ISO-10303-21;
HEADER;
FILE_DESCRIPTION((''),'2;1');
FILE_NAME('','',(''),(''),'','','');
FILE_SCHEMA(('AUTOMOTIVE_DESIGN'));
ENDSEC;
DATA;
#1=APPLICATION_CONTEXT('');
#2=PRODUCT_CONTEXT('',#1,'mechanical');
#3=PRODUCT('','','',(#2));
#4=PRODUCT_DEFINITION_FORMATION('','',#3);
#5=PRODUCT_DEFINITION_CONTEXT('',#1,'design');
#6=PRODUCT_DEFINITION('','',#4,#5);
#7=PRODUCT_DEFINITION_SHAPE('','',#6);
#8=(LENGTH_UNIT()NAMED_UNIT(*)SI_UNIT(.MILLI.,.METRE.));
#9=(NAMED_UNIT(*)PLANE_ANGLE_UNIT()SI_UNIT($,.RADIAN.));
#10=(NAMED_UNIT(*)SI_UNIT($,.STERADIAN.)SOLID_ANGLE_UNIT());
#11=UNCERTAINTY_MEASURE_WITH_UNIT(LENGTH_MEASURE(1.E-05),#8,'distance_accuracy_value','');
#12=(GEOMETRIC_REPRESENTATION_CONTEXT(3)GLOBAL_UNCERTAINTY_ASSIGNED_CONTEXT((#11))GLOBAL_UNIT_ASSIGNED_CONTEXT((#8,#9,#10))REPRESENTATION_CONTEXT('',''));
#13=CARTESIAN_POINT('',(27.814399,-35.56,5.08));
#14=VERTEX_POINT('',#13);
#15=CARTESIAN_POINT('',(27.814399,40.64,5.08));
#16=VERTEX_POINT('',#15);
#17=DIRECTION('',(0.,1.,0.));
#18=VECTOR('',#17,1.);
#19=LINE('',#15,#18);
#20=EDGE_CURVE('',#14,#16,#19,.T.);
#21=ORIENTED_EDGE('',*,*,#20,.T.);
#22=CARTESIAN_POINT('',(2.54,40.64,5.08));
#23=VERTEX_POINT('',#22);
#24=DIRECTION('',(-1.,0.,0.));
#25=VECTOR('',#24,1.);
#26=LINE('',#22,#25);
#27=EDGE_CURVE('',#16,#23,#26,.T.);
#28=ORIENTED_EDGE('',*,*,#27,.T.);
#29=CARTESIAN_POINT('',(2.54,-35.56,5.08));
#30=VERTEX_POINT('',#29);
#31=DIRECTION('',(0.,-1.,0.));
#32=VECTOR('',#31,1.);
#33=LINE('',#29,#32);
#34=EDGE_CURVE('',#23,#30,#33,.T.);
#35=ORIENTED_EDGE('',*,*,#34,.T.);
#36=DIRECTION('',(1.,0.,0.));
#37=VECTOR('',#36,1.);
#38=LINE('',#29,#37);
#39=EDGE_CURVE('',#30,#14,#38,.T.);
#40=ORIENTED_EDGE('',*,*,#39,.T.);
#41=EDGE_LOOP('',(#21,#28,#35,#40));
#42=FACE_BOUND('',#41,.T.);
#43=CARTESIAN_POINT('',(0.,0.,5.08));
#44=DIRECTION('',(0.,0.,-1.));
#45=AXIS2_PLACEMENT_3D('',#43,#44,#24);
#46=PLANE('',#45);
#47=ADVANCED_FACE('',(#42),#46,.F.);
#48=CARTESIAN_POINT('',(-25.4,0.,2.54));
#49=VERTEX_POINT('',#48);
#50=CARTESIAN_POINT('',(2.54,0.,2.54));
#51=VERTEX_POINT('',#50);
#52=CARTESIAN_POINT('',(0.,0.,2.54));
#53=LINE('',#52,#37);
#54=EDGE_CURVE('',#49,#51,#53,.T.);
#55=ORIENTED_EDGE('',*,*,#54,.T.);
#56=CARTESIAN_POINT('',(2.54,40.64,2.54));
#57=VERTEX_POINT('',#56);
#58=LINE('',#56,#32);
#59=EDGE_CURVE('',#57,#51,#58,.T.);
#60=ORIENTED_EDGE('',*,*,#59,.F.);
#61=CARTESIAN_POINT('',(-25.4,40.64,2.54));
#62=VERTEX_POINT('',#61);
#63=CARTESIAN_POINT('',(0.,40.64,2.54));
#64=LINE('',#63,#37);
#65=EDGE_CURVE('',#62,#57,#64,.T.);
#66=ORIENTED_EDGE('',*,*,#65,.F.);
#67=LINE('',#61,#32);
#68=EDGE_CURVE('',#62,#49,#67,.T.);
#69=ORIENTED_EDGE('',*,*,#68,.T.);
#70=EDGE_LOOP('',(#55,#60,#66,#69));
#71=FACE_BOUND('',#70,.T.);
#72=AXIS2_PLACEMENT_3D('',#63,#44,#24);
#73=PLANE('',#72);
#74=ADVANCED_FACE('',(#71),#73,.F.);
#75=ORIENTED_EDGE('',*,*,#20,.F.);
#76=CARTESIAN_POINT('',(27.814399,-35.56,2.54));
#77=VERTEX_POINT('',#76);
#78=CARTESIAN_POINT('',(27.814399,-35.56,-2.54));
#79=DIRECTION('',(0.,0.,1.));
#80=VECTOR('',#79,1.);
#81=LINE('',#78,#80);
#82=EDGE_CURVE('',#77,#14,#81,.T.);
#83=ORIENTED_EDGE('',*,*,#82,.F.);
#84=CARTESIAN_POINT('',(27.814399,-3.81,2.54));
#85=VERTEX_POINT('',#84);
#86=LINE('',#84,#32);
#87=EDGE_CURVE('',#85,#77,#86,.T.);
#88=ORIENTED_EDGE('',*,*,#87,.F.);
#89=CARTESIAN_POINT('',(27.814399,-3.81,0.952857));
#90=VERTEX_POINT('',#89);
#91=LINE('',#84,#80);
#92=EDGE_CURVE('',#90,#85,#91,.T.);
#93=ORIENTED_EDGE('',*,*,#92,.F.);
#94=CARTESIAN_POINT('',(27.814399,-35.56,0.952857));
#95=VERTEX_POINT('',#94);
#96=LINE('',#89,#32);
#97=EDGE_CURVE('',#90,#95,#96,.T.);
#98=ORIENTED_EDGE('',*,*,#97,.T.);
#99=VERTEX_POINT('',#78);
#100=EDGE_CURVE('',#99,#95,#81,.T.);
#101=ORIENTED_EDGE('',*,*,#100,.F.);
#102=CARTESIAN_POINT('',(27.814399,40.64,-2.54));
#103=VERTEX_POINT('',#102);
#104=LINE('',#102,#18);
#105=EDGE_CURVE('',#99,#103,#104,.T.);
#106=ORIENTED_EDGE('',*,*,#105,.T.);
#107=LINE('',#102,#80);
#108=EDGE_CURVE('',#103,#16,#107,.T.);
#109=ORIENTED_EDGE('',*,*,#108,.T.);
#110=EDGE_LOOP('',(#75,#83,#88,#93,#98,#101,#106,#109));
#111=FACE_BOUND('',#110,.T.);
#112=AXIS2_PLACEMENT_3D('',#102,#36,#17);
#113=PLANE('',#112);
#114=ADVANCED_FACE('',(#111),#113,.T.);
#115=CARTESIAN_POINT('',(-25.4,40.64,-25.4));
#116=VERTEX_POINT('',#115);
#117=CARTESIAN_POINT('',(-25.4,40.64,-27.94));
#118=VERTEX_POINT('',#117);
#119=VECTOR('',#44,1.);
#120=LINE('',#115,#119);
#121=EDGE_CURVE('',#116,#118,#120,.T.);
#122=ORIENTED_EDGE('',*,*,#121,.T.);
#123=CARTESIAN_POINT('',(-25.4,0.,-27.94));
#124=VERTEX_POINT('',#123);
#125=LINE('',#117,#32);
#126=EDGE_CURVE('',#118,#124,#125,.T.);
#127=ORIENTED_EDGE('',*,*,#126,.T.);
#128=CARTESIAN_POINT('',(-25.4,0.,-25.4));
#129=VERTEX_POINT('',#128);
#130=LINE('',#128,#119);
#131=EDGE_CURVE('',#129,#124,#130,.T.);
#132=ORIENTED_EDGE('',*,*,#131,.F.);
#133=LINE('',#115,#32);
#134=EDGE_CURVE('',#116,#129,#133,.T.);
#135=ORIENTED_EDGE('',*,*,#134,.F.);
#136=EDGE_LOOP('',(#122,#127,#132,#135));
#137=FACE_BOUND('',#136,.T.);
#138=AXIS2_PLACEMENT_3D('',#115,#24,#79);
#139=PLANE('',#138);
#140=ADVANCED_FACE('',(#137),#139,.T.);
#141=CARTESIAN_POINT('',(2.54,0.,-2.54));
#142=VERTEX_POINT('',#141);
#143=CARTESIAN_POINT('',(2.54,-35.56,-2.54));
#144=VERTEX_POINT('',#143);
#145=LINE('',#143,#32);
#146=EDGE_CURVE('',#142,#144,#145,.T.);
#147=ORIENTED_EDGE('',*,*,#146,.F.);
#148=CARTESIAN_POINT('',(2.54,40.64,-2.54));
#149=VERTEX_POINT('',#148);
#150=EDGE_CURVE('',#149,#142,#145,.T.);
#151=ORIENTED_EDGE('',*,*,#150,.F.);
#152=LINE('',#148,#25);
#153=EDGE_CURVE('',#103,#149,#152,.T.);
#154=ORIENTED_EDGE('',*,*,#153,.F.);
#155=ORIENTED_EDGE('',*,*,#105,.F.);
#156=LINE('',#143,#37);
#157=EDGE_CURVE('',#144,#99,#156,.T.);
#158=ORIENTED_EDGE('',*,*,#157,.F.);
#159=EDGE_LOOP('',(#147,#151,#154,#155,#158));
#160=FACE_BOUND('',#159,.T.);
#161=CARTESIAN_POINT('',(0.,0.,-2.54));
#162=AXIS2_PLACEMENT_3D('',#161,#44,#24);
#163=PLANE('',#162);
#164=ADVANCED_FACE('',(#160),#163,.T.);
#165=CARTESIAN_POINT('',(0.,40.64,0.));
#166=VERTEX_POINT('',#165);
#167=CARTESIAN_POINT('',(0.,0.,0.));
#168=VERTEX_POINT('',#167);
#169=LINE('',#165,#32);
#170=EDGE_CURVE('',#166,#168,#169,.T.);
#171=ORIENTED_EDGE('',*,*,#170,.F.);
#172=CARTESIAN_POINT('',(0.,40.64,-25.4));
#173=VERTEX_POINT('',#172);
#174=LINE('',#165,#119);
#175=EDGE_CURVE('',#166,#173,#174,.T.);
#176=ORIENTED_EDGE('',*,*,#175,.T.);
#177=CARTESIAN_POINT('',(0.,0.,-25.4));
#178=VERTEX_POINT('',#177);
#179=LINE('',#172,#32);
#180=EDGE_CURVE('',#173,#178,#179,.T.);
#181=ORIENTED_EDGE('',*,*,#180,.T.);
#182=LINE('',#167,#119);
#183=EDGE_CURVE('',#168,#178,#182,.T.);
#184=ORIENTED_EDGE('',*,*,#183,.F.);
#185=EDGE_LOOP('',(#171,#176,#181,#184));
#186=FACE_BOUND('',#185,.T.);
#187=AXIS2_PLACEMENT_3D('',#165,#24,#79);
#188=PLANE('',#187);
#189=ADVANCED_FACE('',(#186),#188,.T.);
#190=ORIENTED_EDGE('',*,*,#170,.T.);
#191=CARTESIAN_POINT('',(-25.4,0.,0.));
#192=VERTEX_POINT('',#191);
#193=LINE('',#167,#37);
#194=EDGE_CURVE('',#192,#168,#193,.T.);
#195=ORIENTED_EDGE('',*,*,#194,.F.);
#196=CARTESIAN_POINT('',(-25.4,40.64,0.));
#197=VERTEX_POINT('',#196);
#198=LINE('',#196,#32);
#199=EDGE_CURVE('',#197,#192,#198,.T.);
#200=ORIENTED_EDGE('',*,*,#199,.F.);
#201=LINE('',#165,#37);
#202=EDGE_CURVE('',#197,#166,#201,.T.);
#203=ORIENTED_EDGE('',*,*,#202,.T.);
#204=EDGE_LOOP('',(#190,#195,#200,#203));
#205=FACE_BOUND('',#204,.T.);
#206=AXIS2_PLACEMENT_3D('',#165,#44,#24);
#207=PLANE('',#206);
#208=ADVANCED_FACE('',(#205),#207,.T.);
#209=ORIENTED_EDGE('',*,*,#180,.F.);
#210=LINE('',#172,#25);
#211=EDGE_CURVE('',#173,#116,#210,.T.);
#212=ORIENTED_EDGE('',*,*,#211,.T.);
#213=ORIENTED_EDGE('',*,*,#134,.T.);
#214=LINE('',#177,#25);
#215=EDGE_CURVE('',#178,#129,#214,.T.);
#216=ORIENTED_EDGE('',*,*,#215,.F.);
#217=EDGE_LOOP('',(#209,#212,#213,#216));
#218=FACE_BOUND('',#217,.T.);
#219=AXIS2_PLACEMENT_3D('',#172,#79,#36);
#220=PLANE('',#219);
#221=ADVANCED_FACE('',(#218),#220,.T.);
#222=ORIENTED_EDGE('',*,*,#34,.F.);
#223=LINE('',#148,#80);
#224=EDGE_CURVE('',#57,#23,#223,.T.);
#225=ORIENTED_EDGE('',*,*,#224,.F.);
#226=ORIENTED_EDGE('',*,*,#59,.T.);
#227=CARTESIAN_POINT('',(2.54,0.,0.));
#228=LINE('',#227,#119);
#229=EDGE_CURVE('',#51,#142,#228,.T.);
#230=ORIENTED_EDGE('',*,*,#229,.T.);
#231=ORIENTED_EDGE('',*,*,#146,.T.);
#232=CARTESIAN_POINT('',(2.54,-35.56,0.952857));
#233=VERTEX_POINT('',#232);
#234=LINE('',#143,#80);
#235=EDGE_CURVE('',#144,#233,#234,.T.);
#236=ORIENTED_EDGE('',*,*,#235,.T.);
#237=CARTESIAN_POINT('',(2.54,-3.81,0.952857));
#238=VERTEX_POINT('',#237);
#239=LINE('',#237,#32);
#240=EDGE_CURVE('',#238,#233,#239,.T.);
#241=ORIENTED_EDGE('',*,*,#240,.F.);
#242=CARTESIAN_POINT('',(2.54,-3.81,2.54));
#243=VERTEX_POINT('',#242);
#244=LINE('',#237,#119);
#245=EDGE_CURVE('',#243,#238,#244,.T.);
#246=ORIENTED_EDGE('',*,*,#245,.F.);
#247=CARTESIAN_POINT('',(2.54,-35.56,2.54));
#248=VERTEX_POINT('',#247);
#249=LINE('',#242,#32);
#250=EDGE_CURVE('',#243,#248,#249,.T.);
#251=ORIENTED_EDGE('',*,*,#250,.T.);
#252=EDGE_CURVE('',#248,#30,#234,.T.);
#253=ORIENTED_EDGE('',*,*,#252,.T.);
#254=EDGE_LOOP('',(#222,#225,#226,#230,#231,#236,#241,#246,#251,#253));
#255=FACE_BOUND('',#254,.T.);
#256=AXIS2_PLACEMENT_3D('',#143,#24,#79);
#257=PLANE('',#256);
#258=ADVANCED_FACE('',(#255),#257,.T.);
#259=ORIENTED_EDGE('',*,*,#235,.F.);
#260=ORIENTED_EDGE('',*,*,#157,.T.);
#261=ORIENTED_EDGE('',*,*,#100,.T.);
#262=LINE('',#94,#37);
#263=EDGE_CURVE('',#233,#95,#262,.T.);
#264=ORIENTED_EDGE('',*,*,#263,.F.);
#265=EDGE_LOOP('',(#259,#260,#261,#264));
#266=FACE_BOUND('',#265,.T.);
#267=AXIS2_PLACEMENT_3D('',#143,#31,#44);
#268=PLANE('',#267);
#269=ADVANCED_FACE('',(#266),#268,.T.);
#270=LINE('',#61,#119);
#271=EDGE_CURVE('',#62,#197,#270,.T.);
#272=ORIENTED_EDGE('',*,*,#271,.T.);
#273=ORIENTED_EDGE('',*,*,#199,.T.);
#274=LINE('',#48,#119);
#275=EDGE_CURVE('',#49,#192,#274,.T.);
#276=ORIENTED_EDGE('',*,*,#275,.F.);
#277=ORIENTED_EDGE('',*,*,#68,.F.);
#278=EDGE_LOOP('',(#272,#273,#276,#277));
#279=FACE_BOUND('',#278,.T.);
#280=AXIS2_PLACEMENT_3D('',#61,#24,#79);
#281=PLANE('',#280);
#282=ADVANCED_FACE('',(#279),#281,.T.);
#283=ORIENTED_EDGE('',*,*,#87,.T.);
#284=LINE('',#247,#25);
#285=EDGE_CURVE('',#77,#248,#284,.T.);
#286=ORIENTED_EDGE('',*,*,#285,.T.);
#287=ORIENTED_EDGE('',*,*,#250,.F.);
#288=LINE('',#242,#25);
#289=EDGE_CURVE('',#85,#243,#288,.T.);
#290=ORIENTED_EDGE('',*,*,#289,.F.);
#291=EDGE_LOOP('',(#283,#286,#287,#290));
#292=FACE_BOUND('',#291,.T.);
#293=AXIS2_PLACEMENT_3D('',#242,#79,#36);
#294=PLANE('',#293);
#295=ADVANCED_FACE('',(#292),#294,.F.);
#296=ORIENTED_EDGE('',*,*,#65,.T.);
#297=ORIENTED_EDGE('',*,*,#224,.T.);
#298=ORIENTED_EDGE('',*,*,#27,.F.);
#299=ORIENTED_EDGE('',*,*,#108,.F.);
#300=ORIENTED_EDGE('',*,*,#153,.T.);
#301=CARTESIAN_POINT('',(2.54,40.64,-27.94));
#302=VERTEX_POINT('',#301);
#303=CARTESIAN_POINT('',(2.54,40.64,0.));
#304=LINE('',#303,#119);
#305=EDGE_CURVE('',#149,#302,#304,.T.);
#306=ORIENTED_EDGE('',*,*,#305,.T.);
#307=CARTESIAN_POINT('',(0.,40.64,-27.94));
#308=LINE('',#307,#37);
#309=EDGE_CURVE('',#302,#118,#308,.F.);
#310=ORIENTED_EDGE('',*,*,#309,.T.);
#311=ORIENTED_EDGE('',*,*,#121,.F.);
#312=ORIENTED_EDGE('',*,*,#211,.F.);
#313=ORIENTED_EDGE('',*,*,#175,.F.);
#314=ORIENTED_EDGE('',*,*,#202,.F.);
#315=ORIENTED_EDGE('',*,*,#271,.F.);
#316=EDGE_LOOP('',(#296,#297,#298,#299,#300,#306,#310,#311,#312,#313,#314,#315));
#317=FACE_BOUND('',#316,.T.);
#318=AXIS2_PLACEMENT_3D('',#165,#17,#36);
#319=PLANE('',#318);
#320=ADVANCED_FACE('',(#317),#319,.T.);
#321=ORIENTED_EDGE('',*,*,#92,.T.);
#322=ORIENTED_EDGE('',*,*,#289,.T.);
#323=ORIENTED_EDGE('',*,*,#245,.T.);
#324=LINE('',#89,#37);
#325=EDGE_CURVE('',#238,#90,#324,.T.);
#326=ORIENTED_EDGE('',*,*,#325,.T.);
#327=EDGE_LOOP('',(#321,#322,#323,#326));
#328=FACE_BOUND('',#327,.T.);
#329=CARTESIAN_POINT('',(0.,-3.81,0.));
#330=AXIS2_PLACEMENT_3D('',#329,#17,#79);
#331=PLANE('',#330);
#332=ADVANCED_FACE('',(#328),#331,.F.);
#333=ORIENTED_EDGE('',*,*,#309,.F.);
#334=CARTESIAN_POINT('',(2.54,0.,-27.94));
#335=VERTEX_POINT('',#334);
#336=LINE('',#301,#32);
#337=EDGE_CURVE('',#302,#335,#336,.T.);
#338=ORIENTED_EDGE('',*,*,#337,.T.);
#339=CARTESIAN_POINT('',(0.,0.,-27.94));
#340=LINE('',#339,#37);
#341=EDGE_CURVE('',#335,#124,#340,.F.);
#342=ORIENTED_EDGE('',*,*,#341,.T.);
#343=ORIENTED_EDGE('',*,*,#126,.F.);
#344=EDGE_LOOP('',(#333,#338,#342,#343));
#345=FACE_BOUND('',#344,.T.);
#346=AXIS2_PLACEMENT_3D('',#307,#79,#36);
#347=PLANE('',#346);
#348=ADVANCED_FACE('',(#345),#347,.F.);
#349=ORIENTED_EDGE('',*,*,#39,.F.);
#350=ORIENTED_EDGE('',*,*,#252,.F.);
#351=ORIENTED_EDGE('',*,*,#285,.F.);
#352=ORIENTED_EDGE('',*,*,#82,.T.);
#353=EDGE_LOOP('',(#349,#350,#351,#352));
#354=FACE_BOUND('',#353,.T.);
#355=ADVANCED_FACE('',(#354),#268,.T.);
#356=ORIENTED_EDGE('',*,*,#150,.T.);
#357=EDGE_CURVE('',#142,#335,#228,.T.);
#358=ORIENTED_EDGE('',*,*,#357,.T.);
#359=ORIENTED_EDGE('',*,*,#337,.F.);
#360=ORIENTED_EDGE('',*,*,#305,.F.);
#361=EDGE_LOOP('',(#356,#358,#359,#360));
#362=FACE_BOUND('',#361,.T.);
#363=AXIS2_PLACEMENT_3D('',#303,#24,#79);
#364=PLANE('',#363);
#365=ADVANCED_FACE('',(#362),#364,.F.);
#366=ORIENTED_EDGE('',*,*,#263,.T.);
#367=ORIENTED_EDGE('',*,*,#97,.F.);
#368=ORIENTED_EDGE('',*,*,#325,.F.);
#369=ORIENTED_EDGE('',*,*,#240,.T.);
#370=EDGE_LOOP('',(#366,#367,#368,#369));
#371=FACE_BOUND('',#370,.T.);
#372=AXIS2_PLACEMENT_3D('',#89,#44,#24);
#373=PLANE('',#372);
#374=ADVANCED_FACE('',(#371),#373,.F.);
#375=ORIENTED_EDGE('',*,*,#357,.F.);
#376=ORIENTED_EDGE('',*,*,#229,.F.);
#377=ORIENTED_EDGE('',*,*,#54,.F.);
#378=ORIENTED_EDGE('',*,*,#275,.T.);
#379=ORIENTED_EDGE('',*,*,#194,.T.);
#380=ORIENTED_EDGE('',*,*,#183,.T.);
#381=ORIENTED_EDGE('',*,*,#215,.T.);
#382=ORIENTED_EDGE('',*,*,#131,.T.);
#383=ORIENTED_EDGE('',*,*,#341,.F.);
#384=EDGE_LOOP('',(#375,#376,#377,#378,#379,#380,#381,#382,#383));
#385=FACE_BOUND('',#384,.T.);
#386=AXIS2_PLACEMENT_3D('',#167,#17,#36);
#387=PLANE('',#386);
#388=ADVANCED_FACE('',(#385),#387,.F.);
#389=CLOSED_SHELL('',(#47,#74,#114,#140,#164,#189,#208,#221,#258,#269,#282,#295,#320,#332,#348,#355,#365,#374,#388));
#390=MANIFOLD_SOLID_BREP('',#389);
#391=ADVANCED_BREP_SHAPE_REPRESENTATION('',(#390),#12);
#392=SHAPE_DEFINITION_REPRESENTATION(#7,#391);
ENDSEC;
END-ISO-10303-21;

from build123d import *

# Parameters (mm, degrees)
EXTRUDE_THIN1_DEPTH      = 40.64
BOSS_EXTRUDE2_DEPTH      = 2.54
BOSS_EXTRUDE2_DEPTH_BACK = 5.08
SKETCH7_W                = 25.274399357
SKETCH7_H                = 76.2
SKETCH10_W               = 25.274399357
SKETCH10_H               = 1.587143393
CUT_EXTRUDE10_DEPTH      = 31.75


with BuildPart() as part:
    # Sketch1 → Extrude-Thin1 (new body)
    with BuildSketch(Plane(origin=(0, 0, 0), x_dir=(1, 0, 0), z_dir=(0, 1, 0))):
        Polygon((-25.4, 25.4), (0, 25.4), (0, 0), (-25.4, 0), (-25.4, -2.54), (2.54, -2.54), (2.54, 27.94), (-25.4, 27.94), align=None)
    extrude(amount=EXTRUDE_THIN1_DEPTH)

    # Sketch7 → Boss-Extrude2 (add, two sides: drawn at the far end of the back side and taken through both)
    with BuildSketch(Plane.XY.offset(2.54).offset(-BOSS_EXTRUDE2_DEPTH_BACK)):
        with Locations((15.177199679, 2.54)):
            Rectangle(SKETCH7_W, SKETCH7_H)
    extrude(amount=BOSS_EXTRUDE2_DEPTH + BOSS_EXTRUDE2_DEPTH_BACK)

    # Sketch10 → Cut-Extrude10 (cut)
    with BuildSketch(Plane.XZ.offset(35.56)):
        with Locations((15.177199679, 1.746428304)):
            Rectangle(SKETCH10_W, SKETCH10_H)
    extrude(amount=-CUT_EXTRUDE10_DEPTH, mode=Mode.SUBTRACT)


solid = part.part
